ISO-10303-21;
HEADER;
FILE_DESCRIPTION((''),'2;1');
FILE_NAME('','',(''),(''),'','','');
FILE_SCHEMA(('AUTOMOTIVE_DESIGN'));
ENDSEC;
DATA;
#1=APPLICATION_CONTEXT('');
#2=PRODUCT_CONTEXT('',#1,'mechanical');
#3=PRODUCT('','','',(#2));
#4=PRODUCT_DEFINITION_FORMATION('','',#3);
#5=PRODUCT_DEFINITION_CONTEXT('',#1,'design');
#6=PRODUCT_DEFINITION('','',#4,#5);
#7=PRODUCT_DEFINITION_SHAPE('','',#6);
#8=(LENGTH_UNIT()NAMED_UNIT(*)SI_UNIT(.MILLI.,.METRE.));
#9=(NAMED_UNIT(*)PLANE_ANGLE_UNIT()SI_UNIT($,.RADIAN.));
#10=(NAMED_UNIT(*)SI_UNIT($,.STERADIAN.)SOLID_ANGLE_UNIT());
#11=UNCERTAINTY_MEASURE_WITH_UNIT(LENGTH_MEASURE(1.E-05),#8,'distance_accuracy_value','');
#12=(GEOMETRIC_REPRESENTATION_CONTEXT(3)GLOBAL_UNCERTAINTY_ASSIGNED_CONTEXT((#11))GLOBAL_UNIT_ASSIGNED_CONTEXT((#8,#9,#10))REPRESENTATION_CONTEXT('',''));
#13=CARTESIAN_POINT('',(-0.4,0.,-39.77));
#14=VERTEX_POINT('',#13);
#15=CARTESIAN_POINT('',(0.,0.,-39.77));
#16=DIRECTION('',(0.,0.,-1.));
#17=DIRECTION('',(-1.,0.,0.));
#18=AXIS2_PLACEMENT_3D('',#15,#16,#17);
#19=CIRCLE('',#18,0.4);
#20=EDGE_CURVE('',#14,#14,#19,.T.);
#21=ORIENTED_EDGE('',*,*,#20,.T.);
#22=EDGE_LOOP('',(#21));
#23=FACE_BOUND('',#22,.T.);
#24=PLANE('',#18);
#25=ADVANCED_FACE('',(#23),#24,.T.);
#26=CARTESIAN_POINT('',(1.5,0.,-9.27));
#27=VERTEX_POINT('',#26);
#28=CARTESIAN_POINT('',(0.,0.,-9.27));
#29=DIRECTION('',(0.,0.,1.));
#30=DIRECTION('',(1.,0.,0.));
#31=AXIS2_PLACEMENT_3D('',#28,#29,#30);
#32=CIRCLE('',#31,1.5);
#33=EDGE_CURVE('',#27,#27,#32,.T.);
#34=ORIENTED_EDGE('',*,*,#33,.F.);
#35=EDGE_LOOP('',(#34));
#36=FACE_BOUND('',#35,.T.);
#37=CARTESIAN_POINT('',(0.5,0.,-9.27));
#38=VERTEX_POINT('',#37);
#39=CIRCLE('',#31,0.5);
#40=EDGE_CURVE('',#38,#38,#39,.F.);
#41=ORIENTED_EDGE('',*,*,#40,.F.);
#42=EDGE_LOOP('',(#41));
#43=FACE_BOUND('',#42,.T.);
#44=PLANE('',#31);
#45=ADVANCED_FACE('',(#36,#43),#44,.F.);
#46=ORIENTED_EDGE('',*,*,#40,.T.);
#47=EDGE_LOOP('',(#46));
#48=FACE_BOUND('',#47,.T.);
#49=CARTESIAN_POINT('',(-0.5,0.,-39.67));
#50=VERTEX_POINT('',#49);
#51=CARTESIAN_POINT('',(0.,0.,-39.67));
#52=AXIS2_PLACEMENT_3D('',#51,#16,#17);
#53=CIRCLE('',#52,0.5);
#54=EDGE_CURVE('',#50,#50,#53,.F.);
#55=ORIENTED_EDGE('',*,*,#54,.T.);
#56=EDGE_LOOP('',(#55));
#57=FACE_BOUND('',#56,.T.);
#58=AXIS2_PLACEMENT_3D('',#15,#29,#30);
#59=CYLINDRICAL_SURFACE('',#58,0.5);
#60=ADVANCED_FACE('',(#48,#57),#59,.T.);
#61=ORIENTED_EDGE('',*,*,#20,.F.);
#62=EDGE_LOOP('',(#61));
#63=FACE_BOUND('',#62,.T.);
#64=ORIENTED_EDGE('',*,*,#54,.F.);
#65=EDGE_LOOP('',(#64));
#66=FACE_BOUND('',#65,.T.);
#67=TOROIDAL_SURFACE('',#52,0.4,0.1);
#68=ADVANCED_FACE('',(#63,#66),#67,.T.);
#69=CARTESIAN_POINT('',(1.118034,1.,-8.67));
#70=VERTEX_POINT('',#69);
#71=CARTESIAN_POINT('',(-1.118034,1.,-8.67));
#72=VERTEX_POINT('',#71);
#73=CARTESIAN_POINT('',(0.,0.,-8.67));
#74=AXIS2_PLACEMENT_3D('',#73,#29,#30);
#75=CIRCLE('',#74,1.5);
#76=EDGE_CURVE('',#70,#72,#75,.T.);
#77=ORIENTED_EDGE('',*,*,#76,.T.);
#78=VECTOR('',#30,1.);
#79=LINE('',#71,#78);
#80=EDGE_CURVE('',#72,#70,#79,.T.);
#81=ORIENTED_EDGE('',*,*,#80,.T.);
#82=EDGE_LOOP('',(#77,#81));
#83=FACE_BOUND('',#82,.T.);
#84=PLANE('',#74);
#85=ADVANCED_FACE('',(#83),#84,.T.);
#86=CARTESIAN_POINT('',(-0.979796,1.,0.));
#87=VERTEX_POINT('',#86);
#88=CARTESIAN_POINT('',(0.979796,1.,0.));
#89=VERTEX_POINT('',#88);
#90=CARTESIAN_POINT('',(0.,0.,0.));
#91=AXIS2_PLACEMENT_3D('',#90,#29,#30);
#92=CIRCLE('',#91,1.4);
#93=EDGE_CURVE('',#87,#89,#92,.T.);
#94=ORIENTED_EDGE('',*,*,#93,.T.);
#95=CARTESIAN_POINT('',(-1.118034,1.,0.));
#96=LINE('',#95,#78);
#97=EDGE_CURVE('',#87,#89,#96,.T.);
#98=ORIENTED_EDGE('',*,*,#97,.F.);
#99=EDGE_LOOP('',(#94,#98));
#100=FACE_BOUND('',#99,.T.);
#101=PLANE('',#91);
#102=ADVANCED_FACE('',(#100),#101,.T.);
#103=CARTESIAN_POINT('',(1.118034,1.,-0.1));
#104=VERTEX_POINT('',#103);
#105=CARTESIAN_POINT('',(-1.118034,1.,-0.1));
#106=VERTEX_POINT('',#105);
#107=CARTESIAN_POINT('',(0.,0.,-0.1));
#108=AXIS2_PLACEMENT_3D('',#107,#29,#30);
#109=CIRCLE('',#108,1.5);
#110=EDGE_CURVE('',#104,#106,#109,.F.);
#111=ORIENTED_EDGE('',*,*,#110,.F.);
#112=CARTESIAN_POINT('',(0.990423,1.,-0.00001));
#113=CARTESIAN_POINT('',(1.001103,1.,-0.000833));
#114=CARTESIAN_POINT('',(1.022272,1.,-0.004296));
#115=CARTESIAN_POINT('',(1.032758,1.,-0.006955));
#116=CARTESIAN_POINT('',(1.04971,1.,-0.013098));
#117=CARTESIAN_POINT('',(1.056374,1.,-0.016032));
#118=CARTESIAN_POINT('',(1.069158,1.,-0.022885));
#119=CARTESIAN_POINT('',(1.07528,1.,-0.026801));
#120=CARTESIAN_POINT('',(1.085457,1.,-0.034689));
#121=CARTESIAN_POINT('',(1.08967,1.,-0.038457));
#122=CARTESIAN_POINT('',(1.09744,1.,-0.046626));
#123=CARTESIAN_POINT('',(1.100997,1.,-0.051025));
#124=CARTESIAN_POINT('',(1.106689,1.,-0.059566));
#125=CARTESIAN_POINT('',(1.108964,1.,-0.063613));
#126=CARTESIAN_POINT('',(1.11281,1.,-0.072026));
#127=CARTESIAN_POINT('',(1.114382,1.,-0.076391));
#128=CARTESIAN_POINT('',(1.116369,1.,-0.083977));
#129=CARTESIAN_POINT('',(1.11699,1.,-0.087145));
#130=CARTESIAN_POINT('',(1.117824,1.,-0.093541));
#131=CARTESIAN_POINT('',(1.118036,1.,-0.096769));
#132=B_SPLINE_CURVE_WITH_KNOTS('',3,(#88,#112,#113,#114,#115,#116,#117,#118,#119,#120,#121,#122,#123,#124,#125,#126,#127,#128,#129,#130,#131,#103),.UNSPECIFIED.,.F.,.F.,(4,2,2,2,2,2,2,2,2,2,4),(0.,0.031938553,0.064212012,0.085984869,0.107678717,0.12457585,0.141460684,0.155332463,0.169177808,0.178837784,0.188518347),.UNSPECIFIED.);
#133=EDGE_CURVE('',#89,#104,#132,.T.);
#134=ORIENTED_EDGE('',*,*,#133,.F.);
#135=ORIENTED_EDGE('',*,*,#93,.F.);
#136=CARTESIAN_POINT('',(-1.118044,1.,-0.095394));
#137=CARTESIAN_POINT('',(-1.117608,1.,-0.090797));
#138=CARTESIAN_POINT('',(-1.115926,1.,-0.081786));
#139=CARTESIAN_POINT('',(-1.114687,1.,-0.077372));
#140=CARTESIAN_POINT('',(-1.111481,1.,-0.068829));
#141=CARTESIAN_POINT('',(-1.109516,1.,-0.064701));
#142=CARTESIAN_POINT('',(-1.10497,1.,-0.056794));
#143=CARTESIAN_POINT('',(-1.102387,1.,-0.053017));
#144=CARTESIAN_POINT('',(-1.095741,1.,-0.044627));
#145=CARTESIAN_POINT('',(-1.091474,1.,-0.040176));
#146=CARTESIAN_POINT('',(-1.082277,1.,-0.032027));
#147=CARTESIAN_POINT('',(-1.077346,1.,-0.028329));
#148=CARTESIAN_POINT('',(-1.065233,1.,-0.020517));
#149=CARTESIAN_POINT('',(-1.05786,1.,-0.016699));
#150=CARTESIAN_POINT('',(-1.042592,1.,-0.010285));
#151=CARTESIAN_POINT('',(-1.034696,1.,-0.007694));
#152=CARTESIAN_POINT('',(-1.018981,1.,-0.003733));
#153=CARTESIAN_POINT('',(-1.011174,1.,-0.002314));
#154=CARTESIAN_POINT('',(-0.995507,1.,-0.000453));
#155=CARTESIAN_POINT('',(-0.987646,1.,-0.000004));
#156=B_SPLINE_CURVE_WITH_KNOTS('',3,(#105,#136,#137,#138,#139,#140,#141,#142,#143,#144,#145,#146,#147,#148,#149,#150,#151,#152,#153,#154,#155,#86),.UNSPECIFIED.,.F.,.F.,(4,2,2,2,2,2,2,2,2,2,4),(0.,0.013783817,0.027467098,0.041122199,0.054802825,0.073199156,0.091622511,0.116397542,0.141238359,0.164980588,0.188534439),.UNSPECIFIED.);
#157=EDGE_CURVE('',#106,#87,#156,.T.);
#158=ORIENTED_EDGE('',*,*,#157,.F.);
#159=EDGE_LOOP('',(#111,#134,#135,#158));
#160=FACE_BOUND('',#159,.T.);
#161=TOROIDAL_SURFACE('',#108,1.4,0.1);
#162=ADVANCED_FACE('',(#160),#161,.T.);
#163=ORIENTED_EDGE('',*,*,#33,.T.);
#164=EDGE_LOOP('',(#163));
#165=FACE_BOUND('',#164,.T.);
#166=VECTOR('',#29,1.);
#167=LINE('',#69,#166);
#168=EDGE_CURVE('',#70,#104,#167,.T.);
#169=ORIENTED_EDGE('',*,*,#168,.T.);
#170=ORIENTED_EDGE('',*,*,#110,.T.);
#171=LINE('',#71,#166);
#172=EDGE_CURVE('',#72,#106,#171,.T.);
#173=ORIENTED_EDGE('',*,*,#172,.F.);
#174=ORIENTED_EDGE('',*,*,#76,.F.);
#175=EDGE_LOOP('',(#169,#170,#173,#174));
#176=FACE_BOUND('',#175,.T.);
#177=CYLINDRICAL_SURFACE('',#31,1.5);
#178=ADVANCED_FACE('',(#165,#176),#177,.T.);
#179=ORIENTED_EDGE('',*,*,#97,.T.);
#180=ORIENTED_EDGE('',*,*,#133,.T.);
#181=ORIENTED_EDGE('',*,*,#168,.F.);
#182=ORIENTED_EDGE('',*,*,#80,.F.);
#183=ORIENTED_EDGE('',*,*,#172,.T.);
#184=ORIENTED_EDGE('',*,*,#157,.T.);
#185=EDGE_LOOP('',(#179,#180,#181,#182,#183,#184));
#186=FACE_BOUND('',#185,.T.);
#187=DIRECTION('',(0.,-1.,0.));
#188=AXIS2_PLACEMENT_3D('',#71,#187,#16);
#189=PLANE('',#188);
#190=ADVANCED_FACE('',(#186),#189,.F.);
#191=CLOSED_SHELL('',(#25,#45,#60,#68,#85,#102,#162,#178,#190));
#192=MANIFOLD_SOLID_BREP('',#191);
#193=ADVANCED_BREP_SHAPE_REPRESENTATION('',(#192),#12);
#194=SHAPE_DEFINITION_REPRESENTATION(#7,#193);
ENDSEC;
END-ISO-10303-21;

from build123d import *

# Parameters (mm, degrees)
SKETCH1_R           = 1.5
BOSS_EXTRUDE1_DEPTH = 9.27
CUT_EXTRUDE1_DEPTH  = 8.67
SKETCH3_R           = 0.5
BOSS_EXTRUDE2_DEPTH = 30.5
FILLET1_R           = 0.1


with BuildPart() as part:
    # Sketch1 → Boss-Extrude1 (new body)
    with BuildSketch(Plane.XY):
        Circle(SKETCH1_R)
    extrude(amount=-BOSS_EXTRUDE1_DEPTH)

    # Sketch2 → Cut-Extrude1 (cut)
    with BuildSketch(Plane.XY):
        with BuildLine():
            Line((-1.118033989, 1), (1.118033989, 1))
            ThreePointArc((1.118033989, 1), (0, 1.5), (-1.118033989, 1))
        make_face()
    extrude(amount=-CUT_EXTRUDE1_DEPTH, mode=Mode.SUBTRACT)

    # Sketch3 → Boss-Extrude2 (add)
    with BuildSketch(Plane(origin=(0, 0, -9.27), x_dir=(-1, 0, 0), z_dir=(0, 0, -1))):
        with Locations(Location((0, 0, 0), (0, 0, 180))):
            Circle(SKETCH3_R)
    extrude(amount=BOSS_EXTRUDE2_DEPTH)

    # Fillet1
    fillet1_edges = [part.edges().sort_by_distance(p)[0] for p in [
        (-0.5, 0, -39.77),
        (-0.535233135, -1.401258538, 0),
    ]]
    fillet(fillet1_edges, radius=FILLET1_R)


solid = part.part
